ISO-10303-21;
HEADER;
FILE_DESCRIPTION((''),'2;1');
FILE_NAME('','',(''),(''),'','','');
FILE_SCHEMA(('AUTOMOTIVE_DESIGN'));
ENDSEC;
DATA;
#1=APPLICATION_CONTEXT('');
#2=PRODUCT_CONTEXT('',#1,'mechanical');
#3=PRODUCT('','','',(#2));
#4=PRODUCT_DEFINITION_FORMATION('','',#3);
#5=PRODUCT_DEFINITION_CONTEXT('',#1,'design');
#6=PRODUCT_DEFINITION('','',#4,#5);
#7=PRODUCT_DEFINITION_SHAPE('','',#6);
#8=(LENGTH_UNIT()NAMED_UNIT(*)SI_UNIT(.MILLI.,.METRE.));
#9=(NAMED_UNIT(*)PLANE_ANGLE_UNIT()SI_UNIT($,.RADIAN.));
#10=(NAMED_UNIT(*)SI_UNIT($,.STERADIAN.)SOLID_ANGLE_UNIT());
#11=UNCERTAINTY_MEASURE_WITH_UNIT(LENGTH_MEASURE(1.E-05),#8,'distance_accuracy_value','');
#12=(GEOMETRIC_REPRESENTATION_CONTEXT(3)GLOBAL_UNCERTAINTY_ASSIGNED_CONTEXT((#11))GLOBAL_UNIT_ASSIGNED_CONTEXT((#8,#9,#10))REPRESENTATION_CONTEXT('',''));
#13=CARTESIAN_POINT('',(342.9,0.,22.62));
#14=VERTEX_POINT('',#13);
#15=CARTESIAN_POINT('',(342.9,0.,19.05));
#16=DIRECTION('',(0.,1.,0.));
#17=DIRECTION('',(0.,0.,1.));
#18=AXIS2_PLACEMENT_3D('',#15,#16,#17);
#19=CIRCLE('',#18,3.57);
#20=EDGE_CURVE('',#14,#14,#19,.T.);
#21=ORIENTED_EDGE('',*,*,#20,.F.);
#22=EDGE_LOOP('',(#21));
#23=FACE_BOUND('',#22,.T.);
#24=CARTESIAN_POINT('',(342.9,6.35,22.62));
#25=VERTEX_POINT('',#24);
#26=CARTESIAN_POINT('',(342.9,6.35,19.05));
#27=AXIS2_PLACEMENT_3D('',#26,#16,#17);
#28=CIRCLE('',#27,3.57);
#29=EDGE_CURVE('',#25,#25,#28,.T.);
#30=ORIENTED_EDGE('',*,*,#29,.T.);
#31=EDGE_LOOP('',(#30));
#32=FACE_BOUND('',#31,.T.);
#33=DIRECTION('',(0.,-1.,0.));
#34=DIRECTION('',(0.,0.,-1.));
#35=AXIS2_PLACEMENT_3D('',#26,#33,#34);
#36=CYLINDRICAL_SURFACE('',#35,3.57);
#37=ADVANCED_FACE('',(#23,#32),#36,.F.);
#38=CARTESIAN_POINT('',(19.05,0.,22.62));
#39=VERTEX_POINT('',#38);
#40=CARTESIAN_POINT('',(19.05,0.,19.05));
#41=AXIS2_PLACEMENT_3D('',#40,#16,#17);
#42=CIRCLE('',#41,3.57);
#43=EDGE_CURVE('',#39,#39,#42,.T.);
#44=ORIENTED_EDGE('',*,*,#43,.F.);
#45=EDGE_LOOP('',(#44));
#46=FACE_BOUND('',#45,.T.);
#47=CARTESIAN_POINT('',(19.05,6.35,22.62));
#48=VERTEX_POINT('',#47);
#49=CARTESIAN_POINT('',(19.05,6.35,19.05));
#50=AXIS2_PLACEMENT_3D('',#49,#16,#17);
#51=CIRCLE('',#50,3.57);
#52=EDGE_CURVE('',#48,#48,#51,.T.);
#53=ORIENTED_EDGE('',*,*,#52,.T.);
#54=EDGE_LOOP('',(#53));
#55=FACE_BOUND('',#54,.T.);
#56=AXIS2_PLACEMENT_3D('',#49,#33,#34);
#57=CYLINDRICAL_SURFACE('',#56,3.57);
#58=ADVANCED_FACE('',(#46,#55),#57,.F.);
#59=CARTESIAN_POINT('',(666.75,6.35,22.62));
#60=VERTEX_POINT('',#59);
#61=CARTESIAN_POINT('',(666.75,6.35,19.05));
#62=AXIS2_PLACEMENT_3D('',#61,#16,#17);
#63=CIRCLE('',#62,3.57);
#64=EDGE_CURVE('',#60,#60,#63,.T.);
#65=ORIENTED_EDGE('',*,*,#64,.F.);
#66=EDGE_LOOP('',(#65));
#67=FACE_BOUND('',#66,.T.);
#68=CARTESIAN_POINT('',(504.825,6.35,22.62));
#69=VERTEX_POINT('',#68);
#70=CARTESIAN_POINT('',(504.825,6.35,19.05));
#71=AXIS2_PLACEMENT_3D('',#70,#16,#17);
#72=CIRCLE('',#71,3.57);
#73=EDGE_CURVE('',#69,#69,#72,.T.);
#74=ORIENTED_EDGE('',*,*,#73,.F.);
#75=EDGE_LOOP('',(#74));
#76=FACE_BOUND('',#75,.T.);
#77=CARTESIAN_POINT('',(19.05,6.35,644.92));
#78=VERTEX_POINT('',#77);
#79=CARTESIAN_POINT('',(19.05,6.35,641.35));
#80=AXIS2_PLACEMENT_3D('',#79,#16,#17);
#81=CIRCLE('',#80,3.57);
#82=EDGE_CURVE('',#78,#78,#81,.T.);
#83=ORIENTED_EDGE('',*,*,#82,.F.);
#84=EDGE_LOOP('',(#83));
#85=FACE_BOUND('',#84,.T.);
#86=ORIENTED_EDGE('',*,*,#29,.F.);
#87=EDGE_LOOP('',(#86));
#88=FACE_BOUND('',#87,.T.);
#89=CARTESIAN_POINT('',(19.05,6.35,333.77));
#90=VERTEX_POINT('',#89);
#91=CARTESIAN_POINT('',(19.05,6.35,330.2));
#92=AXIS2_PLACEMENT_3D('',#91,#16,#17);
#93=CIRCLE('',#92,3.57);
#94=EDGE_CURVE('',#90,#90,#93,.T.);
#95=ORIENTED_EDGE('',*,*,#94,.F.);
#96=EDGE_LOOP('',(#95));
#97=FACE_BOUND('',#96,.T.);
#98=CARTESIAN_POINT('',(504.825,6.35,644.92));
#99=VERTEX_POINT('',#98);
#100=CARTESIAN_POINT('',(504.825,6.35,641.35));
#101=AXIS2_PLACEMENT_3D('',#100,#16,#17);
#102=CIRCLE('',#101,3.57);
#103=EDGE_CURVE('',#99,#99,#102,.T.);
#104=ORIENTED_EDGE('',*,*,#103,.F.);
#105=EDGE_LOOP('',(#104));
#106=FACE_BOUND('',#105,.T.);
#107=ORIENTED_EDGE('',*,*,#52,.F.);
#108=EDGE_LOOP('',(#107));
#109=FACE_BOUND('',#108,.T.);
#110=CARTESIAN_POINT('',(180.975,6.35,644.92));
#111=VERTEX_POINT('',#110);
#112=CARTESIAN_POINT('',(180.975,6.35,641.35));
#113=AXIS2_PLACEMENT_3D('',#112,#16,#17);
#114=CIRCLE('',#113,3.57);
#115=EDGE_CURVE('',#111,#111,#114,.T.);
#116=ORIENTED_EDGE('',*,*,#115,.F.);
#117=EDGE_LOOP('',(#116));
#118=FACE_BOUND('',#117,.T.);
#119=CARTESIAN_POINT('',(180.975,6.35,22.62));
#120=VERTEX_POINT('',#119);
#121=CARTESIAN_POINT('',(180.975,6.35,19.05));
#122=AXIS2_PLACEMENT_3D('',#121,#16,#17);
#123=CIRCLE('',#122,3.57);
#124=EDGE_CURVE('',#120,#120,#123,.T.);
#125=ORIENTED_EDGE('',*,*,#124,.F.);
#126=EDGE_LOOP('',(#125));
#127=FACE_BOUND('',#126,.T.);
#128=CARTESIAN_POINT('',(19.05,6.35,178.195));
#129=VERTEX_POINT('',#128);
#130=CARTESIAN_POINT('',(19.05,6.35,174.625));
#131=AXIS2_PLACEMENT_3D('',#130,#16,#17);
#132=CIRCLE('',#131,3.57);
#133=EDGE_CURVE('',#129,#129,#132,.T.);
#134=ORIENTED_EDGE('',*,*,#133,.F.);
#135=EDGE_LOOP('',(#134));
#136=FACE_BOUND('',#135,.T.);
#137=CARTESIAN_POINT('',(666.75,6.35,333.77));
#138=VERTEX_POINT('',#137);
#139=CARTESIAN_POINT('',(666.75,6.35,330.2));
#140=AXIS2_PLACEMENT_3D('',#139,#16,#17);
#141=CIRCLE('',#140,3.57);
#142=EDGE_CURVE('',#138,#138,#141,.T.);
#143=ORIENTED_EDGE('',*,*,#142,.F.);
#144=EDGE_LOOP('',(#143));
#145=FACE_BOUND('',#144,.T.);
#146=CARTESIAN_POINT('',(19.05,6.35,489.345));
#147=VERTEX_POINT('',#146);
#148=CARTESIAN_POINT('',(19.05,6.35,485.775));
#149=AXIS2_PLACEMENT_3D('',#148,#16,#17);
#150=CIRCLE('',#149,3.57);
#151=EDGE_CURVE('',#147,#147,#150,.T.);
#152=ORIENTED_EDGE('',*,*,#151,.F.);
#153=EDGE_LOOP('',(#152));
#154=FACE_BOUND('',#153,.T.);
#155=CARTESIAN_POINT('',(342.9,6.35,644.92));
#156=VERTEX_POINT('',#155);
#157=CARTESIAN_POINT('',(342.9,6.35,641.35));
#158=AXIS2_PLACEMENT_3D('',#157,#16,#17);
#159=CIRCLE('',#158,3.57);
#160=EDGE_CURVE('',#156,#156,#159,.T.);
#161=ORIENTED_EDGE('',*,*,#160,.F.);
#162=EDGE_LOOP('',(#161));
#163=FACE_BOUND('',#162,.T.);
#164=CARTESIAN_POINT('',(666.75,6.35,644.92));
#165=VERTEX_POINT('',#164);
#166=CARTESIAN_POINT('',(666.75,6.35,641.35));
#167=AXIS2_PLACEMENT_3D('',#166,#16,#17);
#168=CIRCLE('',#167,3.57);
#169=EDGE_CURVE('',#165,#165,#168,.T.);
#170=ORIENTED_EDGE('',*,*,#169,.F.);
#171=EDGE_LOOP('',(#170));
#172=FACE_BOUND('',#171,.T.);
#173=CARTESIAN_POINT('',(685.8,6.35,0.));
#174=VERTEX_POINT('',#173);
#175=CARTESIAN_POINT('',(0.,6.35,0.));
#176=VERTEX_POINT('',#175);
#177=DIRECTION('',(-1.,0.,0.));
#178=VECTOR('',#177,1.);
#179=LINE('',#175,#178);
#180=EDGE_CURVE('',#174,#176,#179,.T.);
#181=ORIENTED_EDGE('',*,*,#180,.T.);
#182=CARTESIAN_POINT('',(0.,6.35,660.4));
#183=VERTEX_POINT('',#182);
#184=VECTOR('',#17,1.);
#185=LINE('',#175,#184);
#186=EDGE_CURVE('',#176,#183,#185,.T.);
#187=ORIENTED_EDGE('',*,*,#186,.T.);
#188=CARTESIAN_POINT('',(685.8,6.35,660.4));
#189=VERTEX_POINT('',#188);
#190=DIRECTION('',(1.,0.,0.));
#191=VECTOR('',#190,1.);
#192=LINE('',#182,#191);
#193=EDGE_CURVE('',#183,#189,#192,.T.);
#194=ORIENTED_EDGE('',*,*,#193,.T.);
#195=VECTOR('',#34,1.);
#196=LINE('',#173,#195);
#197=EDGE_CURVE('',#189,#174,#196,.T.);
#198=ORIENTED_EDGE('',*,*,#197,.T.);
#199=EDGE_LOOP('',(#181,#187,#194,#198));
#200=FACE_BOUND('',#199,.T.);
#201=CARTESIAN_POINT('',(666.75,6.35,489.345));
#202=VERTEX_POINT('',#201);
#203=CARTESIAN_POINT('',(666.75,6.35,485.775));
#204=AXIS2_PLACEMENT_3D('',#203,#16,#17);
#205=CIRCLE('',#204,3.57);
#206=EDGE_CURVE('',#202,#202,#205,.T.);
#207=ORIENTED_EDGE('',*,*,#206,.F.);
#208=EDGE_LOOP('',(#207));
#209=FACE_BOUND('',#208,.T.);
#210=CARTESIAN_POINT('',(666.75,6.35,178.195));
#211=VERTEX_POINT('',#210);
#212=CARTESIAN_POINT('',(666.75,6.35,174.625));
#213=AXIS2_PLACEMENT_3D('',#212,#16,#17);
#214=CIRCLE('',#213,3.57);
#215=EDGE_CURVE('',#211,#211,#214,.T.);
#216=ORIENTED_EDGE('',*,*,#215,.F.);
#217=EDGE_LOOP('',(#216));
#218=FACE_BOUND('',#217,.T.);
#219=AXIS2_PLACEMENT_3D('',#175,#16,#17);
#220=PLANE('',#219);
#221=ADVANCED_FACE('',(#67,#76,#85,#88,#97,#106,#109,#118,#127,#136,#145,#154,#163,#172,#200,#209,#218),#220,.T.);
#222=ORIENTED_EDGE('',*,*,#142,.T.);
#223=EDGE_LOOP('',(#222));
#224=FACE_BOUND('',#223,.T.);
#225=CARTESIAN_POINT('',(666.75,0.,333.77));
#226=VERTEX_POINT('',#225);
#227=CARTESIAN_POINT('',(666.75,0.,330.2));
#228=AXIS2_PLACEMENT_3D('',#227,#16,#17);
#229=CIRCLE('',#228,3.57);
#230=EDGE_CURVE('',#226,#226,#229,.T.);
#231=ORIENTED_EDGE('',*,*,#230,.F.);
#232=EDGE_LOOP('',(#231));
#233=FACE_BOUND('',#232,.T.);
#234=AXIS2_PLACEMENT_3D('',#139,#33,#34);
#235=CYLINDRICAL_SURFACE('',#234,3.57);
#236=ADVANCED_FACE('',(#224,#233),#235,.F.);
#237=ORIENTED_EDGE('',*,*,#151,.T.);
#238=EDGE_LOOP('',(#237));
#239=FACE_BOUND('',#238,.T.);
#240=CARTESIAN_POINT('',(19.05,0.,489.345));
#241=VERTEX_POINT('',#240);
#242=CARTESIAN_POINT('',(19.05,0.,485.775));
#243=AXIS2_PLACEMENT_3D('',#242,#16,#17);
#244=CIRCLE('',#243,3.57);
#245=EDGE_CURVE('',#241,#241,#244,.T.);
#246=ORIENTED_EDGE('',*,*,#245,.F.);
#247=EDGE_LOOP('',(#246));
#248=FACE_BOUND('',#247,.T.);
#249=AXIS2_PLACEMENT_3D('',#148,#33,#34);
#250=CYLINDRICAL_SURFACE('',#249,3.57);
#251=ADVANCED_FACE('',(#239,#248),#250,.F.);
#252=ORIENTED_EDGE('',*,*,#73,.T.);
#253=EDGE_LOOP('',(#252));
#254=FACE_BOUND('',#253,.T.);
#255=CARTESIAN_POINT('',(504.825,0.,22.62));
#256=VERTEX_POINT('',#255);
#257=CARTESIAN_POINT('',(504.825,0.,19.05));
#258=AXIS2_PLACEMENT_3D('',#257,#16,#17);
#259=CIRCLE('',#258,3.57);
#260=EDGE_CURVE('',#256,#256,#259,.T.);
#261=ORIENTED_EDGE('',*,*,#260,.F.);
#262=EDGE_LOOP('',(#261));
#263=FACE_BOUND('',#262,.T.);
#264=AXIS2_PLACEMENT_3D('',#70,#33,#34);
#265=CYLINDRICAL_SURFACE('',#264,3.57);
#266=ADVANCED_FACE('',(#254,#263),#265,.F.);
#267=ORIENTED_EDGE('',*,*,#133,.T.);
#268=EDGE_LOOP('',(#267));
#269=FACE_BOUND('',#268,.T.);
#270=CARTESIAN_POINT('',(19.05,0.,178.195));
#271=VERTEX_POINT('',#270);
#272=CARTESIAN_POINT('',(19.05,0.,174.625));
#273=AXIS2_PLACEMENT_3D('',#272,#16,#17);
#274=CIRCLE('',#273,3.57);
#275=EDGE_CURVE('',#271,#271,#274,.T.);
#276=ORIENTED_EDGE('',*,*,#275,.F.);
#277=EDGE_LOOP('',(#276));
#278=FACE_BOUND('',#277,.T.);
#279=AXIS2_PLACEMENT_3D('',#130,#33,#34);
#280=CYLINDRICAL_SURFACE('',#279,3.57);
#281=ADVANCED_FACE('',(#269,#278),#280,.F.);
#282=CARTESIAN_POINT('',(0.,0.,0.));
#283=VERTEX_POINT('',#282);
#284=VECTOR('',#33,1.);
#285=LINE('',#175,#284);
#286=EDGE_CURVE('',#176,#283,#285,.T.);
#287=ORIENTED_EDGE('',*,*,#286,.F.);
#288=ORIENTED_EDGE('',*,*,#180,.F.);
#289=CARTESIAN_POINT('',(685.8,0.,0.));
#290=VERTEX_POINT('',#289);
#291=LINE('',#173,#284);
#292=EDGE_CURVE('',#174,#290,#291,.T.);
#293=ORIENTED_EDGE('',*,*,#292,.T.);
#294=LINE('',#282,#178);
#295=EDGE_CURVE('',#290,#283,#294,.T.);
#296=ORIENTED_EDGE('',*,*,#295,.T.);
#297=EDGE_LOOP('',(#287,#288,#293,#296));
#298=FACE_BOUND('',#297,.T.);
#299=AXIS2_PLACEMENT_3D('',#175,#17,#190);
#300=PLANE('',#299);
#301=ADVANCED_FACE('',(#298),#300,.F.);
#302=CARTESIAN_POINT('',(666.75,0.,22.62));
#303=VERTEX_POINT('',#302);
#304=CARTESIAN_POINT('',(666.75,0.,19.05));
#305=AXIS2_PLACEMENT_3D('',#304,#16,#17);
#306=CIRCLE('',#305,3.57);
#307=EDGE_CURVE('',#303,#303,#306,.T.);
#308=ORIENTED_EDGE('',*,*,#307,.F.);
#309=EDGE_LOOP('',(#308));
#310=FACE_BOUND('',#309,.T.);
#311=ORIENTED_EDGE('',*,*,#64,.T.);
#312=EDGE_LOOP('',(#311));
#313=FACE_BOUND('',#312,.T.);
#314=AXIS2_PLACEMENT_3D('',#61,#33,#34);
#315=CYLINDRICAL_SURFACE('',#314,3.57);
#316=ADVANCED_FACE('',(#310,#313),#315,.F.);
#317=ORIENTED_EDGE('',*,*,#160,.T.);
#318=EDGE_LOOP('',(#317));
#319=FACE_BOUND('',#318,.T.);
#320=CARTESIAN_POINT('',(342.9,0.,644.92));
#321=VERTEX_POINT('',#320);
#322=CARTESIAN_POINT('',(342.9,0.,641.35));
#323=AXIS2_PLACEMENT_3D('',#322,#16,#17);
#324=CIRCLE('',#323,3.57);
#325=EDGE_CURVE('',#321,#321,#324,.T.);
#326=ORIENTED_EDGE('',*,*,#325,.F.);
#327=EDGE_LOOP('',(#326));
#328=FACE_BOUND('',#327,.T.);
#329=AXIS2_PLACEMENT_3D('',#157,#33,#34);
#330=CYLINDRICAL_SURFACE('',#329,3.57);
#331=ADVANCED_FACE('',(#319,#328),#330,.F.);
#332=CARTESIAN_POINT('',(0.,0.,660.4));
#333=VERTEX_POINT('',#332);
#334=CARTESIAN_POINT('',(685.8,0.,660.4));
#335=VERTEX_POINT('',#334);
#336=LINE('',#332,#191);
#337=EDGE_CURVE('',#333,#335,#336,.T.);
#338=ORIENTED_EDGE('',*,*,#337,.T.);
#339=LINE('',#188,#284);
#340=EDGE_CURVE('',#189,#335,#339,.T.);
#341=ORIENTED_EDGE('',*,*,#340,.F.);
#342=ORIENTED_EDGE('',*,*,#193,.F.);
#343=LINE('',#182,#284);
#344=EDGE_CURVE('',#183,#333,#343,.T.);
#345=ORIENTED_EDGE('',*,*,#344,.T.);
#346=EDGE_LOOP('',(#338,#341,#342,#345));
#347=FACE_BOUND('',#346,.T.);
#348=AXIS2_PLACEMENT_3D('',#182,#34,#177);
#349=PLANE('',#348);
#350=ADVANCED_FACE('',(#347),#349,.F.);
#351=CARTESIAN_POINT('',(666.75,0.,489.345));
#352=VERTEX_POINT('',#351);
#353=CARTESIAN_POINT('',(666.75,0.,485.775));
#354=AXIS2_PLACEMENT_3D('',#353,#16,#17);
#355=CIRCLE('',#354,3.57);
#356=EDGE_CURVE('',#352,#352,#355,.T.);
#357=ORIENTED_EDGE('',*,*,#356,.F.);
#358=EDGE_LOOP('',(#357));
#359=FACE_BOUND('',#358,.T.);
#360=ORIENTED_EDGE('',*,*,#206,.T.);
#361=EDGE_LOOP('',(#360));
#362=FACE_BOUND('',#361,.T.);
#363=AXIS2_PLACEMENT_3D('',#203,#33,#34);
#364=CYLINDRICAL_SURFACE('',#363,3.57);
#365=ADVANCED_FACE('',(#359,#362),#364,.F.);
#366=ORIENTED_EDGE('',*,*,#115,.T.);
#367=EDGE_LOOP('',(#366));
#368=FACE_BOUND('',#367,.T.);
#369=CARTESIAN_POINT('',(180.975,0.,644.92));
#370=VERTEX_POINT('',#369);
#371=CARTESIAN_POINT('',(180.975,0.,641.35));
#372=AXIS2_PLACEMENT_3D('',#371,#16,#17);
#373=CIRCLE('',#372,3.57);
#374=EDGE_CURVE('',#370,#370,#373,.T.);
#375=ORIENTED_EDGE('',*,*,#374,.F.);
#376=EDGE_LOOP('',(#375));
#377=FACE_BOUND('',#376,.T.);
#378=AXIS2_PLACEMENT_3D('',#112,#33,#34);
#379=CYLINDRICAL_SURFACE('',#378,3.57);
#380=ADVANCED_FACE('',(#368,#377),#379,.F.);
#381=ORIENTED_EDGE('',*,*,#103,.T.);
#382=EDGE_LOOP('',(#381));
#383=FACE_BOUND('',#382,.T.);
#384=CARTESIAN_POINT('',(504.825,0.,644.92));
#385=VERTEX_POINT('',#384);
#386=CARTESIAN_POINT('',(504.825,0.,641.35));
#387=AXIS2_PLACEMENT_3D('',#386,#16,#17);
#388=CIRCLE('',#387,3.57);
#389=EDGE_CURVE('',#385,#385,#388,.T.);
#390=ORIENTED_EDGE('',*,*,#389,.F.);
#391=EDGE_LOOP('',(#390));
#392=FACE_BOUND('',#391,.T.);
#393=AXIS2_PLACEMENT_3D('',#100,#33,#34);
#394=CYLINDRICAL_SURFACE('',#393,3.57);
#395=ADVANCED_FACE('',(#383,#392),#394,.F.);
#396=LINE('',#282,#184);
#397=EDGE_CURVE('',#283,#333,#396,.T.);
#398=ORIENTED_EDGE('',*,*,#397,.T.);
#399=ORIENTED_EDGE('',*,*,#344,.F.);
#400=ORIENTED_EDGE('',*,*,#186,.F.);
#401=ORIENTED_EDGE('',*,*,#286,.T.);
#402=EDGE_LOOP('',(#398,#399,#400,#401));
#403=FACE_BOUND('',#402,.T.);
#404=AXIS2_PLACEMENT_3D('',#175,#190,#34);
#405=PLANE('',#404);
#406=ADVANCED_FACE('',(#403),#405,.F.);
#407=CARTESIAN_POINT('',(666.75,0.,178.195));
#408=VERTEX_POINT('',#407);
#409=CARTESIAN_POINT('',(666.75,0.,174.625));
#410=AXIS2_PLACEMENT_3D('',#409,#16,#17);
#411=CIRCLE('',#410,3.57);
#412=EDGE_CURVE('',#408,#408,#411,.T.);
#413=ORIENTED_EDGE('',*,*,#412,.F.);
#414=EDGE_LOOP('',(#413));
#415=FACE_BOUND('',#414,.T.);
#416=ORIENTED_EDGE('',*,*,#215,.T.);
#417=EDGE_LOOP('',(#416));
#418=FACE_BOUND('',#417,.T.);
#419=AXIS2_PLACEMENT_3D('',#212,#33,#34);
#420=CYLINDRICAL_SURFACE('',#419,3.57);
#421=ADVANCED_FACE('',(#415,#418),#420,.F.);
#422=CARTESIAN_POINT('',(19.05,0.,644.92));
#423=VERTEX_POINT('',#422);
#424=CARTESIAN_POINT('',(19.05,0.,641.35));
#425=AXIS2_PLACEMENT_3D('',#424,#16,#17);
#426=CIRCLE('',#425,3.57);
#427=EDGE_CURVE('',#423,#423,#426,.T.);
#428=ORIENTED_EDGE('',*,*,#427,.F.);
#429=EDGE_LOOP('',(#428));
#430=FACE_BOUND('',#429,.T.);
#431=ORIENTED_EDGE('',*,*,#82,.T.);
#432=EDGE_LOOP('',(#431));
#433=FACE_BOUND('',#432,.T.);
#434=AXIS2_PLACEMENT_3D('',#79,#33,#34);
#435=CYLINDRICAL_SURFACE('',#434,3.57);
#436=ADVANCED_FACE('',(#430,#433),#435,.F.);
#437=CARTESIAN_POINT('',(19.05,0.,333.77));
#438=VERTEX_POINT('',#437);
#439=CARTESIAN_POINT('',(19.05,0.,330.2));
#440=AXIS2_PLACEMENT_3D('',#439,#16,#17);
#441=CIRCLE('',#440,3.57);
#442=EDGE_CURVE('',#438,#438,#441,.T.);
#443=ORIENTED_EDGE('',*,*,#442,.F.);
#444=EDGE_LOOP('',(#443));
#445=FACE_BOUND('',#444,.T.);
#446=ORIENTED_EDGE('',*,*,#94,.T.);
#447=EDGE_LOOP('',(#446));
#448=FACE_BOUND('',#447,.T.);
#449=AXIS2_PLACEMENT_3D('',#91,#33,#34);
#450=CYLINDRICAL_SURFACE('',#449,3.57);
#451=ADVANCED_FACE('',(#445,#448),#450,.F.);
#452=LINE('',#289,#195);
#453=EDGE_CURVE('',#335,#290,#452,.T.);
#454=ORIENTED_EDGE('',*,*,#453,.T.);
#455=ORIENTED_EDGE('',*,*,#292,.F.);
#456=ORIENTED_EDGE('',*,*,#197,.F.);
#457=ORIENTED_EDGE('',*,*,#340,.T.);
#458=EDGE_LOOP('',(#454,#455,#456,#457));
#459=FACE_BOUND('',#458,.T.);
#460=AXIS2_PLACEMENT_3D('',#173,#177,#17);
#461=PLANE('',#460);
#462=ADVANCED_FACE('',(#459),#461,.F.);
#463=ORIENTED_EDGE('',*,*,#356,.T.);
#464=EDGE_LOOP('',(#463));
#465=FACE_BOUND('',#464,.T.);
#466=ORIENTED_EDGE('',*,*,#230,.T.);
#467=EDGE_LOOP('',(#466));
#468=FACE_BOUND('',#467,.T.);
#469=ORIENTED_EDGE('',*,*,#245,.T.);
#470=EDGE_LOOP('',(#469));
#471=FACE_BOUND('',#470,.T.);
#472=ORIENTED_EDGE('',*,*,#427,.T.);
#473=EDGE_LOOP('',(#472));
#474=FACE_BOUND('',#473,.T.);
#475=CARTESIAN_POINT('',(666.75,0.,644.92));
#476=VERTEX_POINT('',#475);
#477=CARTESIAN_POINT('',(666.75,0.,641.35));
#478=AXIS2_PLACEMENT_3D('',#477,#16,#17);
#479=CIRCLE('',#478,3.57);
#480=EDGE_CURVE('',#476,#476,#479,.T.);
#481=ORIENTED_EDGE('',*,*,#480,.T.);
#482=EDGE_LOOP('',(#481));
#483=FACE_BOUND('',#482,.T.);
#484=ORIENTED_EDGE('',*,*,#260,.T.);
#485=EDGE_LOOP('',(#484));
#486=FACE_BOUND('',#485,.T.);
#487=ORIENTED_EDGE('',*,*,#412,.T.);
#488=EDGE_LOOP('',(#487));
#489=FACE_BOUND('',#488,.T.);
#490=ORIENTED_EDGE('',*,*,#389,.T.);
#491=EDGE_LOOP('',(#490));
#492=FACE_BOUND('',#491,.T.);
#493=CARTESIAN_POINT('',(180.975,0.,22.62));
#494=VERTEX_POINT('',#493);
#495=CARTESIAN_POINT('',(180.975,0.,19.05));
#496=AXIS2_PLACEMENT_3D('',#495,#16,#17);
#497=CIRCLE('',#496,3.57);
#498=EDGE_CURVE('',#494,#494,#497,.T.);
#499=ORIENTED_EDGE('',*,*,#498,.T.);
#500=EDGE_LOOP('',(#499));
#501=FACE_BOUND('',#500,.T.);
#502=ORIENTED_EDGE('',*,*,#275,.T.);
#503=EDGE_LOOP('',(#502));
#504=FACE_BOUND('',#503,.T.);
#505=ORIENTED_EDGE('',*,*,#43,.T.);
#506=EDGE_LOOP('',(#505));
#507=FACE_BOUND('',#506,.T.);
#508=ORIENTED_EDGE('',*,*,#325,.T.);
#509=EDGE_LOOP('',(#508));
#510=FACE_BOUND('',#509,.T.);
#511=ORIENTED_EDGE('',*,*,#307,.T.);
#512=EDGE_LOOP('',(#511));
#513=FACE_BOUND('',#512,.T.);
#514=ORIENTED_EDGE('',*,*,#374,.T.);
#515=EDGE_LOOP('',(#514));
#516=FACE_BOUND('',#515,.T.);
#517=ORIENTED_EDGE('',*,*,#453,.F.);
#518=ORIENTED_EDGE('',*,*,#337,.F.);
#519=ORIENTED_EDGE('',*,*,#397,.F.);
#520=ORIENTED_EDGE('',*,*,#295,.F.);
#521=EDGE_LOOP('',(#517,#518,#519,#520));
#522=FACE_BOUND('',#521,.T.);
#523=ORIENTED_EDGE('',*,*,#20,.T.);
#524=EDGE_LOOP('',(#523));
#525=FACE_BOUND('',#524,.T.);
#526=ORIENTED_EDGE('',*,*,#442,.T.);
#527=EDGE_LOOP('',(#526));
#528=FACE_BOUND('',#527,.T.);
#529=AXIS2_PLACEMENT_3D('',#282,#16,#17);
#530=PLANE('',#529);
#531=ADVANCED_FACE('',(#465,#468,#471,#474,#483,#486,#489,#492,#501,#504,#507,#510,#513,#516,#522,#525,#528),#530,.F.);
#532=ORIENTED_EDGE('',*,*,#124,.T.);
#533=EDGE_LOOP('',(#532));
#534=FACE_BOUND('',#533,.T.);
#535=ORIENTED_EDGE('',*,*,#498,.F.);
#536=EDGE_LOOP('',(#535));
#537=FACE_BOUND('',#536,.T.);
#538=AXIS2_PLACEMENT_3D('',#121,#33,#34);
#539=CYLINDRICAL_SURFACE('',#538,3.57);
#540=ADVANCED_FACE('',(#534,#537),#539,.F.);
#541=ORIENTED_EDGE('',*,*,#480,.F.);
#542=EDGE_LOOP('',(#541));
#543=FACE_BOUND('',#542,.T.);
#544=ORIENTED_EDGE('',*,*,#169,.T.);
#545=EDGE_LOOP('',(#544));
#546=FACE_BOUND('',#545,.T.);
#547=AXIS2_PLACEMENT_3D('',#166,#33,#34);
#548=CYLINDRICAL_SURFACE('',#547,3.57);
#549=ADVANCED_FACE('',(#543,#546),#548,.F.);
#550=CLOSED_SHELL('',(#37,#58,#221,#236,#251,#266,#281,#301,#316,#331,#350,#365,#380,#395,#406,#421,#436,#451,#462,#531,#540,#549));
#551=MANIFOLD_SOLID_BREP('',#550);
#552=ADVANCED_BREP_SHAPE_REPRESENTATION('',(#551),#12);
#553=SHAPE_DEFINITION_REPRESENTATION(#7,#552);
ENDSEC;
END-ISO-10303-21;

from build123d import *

# Parameters (mm, degrees)
SKETCH2_W           = 685.8
SKETCH2_H           = 660.4
SKETCH2_R           = 3.57
BOSS_EXTRUDE1_DEPTH = 6.35


with BuildPart() as part:
    # Sketch2 → Boss-Extrude1 (new body)
    with BuildSketch(Plane(origin=(0, 0, 0), x_dir=(1, 0, 0), z_dir=(0, 1, 0))):
        with Locations((342.9, -330.2)):
            Rectangle(SKETCH2_W, SKETCH2_H)
        with Locations((19.05, -19.05)):
            Circle(SKETCH2_R, mode=Mode.SUBTRACT)
        with Locations((666.75, -19.05)):
            Circle(SKETCH2_R, mode=Mode.SUBTRACT)
        with Locations((666.75, -641.35)):
            Circle(SKETCH2_R, mode=Mode.SUBTRACT)
        with Locations((19.05, -641.35)):
            Circle(SKETCH2_R, mode=Mode.SUBTRACT)
        with Locations((342.9, -19.05)):
            Circle(SKETCH2_R, mode=Mode.SUBTRACT)
        with Locations((19.05, -330.2)):
            Circle(SKETCH2_R, mode=Mode.SUBTRACT)
        with Locations((342.9, -641.35)):
            Circle(SKETCH2_R, mode=Mode.SUBTRACT)
        with Locations((666.75, -330.2)):
            Circle(SKETCH2_R, mode=Mode.SUBTRACT)
        with Locations((180.975, -19.05)):
            Circle(SKETCH2_R, mode=Mode.SUBTRACT)
        with Locations((504.825, -19.05)):
            Circle(SKETCH2_R, mode=Mode.SUBTRACT)
        with Locations((666.75, -174.625)):
            Circle(SKETCH2_R, mode=Mode.SUBTRACT)
        with Locations((19.05, -174.625)):
            Circle(SKETCH2_R, mode=Mode.SUBTRACT)
        with Locations((19.05, -485.775)):
            Circle(SKETCH2_R, mode=Mode.SUBTRACT)
        with Locations((666.75, -485.775)):
            Circle(SKETCH2_R, mode=Mode.SUBTRACT)
        with Locations((504.825, -641.35)):
            Circle(SKETCH2_R, mode=Mode.SUBTRACT)
        with Locations((180.975, -641.35)):
            Circle(SKETCH2_R, mode=Mode.SUBTRACT)
    extrude(amount=BOSS_EXTRUDE1_DEPTH)


solid = part.part
